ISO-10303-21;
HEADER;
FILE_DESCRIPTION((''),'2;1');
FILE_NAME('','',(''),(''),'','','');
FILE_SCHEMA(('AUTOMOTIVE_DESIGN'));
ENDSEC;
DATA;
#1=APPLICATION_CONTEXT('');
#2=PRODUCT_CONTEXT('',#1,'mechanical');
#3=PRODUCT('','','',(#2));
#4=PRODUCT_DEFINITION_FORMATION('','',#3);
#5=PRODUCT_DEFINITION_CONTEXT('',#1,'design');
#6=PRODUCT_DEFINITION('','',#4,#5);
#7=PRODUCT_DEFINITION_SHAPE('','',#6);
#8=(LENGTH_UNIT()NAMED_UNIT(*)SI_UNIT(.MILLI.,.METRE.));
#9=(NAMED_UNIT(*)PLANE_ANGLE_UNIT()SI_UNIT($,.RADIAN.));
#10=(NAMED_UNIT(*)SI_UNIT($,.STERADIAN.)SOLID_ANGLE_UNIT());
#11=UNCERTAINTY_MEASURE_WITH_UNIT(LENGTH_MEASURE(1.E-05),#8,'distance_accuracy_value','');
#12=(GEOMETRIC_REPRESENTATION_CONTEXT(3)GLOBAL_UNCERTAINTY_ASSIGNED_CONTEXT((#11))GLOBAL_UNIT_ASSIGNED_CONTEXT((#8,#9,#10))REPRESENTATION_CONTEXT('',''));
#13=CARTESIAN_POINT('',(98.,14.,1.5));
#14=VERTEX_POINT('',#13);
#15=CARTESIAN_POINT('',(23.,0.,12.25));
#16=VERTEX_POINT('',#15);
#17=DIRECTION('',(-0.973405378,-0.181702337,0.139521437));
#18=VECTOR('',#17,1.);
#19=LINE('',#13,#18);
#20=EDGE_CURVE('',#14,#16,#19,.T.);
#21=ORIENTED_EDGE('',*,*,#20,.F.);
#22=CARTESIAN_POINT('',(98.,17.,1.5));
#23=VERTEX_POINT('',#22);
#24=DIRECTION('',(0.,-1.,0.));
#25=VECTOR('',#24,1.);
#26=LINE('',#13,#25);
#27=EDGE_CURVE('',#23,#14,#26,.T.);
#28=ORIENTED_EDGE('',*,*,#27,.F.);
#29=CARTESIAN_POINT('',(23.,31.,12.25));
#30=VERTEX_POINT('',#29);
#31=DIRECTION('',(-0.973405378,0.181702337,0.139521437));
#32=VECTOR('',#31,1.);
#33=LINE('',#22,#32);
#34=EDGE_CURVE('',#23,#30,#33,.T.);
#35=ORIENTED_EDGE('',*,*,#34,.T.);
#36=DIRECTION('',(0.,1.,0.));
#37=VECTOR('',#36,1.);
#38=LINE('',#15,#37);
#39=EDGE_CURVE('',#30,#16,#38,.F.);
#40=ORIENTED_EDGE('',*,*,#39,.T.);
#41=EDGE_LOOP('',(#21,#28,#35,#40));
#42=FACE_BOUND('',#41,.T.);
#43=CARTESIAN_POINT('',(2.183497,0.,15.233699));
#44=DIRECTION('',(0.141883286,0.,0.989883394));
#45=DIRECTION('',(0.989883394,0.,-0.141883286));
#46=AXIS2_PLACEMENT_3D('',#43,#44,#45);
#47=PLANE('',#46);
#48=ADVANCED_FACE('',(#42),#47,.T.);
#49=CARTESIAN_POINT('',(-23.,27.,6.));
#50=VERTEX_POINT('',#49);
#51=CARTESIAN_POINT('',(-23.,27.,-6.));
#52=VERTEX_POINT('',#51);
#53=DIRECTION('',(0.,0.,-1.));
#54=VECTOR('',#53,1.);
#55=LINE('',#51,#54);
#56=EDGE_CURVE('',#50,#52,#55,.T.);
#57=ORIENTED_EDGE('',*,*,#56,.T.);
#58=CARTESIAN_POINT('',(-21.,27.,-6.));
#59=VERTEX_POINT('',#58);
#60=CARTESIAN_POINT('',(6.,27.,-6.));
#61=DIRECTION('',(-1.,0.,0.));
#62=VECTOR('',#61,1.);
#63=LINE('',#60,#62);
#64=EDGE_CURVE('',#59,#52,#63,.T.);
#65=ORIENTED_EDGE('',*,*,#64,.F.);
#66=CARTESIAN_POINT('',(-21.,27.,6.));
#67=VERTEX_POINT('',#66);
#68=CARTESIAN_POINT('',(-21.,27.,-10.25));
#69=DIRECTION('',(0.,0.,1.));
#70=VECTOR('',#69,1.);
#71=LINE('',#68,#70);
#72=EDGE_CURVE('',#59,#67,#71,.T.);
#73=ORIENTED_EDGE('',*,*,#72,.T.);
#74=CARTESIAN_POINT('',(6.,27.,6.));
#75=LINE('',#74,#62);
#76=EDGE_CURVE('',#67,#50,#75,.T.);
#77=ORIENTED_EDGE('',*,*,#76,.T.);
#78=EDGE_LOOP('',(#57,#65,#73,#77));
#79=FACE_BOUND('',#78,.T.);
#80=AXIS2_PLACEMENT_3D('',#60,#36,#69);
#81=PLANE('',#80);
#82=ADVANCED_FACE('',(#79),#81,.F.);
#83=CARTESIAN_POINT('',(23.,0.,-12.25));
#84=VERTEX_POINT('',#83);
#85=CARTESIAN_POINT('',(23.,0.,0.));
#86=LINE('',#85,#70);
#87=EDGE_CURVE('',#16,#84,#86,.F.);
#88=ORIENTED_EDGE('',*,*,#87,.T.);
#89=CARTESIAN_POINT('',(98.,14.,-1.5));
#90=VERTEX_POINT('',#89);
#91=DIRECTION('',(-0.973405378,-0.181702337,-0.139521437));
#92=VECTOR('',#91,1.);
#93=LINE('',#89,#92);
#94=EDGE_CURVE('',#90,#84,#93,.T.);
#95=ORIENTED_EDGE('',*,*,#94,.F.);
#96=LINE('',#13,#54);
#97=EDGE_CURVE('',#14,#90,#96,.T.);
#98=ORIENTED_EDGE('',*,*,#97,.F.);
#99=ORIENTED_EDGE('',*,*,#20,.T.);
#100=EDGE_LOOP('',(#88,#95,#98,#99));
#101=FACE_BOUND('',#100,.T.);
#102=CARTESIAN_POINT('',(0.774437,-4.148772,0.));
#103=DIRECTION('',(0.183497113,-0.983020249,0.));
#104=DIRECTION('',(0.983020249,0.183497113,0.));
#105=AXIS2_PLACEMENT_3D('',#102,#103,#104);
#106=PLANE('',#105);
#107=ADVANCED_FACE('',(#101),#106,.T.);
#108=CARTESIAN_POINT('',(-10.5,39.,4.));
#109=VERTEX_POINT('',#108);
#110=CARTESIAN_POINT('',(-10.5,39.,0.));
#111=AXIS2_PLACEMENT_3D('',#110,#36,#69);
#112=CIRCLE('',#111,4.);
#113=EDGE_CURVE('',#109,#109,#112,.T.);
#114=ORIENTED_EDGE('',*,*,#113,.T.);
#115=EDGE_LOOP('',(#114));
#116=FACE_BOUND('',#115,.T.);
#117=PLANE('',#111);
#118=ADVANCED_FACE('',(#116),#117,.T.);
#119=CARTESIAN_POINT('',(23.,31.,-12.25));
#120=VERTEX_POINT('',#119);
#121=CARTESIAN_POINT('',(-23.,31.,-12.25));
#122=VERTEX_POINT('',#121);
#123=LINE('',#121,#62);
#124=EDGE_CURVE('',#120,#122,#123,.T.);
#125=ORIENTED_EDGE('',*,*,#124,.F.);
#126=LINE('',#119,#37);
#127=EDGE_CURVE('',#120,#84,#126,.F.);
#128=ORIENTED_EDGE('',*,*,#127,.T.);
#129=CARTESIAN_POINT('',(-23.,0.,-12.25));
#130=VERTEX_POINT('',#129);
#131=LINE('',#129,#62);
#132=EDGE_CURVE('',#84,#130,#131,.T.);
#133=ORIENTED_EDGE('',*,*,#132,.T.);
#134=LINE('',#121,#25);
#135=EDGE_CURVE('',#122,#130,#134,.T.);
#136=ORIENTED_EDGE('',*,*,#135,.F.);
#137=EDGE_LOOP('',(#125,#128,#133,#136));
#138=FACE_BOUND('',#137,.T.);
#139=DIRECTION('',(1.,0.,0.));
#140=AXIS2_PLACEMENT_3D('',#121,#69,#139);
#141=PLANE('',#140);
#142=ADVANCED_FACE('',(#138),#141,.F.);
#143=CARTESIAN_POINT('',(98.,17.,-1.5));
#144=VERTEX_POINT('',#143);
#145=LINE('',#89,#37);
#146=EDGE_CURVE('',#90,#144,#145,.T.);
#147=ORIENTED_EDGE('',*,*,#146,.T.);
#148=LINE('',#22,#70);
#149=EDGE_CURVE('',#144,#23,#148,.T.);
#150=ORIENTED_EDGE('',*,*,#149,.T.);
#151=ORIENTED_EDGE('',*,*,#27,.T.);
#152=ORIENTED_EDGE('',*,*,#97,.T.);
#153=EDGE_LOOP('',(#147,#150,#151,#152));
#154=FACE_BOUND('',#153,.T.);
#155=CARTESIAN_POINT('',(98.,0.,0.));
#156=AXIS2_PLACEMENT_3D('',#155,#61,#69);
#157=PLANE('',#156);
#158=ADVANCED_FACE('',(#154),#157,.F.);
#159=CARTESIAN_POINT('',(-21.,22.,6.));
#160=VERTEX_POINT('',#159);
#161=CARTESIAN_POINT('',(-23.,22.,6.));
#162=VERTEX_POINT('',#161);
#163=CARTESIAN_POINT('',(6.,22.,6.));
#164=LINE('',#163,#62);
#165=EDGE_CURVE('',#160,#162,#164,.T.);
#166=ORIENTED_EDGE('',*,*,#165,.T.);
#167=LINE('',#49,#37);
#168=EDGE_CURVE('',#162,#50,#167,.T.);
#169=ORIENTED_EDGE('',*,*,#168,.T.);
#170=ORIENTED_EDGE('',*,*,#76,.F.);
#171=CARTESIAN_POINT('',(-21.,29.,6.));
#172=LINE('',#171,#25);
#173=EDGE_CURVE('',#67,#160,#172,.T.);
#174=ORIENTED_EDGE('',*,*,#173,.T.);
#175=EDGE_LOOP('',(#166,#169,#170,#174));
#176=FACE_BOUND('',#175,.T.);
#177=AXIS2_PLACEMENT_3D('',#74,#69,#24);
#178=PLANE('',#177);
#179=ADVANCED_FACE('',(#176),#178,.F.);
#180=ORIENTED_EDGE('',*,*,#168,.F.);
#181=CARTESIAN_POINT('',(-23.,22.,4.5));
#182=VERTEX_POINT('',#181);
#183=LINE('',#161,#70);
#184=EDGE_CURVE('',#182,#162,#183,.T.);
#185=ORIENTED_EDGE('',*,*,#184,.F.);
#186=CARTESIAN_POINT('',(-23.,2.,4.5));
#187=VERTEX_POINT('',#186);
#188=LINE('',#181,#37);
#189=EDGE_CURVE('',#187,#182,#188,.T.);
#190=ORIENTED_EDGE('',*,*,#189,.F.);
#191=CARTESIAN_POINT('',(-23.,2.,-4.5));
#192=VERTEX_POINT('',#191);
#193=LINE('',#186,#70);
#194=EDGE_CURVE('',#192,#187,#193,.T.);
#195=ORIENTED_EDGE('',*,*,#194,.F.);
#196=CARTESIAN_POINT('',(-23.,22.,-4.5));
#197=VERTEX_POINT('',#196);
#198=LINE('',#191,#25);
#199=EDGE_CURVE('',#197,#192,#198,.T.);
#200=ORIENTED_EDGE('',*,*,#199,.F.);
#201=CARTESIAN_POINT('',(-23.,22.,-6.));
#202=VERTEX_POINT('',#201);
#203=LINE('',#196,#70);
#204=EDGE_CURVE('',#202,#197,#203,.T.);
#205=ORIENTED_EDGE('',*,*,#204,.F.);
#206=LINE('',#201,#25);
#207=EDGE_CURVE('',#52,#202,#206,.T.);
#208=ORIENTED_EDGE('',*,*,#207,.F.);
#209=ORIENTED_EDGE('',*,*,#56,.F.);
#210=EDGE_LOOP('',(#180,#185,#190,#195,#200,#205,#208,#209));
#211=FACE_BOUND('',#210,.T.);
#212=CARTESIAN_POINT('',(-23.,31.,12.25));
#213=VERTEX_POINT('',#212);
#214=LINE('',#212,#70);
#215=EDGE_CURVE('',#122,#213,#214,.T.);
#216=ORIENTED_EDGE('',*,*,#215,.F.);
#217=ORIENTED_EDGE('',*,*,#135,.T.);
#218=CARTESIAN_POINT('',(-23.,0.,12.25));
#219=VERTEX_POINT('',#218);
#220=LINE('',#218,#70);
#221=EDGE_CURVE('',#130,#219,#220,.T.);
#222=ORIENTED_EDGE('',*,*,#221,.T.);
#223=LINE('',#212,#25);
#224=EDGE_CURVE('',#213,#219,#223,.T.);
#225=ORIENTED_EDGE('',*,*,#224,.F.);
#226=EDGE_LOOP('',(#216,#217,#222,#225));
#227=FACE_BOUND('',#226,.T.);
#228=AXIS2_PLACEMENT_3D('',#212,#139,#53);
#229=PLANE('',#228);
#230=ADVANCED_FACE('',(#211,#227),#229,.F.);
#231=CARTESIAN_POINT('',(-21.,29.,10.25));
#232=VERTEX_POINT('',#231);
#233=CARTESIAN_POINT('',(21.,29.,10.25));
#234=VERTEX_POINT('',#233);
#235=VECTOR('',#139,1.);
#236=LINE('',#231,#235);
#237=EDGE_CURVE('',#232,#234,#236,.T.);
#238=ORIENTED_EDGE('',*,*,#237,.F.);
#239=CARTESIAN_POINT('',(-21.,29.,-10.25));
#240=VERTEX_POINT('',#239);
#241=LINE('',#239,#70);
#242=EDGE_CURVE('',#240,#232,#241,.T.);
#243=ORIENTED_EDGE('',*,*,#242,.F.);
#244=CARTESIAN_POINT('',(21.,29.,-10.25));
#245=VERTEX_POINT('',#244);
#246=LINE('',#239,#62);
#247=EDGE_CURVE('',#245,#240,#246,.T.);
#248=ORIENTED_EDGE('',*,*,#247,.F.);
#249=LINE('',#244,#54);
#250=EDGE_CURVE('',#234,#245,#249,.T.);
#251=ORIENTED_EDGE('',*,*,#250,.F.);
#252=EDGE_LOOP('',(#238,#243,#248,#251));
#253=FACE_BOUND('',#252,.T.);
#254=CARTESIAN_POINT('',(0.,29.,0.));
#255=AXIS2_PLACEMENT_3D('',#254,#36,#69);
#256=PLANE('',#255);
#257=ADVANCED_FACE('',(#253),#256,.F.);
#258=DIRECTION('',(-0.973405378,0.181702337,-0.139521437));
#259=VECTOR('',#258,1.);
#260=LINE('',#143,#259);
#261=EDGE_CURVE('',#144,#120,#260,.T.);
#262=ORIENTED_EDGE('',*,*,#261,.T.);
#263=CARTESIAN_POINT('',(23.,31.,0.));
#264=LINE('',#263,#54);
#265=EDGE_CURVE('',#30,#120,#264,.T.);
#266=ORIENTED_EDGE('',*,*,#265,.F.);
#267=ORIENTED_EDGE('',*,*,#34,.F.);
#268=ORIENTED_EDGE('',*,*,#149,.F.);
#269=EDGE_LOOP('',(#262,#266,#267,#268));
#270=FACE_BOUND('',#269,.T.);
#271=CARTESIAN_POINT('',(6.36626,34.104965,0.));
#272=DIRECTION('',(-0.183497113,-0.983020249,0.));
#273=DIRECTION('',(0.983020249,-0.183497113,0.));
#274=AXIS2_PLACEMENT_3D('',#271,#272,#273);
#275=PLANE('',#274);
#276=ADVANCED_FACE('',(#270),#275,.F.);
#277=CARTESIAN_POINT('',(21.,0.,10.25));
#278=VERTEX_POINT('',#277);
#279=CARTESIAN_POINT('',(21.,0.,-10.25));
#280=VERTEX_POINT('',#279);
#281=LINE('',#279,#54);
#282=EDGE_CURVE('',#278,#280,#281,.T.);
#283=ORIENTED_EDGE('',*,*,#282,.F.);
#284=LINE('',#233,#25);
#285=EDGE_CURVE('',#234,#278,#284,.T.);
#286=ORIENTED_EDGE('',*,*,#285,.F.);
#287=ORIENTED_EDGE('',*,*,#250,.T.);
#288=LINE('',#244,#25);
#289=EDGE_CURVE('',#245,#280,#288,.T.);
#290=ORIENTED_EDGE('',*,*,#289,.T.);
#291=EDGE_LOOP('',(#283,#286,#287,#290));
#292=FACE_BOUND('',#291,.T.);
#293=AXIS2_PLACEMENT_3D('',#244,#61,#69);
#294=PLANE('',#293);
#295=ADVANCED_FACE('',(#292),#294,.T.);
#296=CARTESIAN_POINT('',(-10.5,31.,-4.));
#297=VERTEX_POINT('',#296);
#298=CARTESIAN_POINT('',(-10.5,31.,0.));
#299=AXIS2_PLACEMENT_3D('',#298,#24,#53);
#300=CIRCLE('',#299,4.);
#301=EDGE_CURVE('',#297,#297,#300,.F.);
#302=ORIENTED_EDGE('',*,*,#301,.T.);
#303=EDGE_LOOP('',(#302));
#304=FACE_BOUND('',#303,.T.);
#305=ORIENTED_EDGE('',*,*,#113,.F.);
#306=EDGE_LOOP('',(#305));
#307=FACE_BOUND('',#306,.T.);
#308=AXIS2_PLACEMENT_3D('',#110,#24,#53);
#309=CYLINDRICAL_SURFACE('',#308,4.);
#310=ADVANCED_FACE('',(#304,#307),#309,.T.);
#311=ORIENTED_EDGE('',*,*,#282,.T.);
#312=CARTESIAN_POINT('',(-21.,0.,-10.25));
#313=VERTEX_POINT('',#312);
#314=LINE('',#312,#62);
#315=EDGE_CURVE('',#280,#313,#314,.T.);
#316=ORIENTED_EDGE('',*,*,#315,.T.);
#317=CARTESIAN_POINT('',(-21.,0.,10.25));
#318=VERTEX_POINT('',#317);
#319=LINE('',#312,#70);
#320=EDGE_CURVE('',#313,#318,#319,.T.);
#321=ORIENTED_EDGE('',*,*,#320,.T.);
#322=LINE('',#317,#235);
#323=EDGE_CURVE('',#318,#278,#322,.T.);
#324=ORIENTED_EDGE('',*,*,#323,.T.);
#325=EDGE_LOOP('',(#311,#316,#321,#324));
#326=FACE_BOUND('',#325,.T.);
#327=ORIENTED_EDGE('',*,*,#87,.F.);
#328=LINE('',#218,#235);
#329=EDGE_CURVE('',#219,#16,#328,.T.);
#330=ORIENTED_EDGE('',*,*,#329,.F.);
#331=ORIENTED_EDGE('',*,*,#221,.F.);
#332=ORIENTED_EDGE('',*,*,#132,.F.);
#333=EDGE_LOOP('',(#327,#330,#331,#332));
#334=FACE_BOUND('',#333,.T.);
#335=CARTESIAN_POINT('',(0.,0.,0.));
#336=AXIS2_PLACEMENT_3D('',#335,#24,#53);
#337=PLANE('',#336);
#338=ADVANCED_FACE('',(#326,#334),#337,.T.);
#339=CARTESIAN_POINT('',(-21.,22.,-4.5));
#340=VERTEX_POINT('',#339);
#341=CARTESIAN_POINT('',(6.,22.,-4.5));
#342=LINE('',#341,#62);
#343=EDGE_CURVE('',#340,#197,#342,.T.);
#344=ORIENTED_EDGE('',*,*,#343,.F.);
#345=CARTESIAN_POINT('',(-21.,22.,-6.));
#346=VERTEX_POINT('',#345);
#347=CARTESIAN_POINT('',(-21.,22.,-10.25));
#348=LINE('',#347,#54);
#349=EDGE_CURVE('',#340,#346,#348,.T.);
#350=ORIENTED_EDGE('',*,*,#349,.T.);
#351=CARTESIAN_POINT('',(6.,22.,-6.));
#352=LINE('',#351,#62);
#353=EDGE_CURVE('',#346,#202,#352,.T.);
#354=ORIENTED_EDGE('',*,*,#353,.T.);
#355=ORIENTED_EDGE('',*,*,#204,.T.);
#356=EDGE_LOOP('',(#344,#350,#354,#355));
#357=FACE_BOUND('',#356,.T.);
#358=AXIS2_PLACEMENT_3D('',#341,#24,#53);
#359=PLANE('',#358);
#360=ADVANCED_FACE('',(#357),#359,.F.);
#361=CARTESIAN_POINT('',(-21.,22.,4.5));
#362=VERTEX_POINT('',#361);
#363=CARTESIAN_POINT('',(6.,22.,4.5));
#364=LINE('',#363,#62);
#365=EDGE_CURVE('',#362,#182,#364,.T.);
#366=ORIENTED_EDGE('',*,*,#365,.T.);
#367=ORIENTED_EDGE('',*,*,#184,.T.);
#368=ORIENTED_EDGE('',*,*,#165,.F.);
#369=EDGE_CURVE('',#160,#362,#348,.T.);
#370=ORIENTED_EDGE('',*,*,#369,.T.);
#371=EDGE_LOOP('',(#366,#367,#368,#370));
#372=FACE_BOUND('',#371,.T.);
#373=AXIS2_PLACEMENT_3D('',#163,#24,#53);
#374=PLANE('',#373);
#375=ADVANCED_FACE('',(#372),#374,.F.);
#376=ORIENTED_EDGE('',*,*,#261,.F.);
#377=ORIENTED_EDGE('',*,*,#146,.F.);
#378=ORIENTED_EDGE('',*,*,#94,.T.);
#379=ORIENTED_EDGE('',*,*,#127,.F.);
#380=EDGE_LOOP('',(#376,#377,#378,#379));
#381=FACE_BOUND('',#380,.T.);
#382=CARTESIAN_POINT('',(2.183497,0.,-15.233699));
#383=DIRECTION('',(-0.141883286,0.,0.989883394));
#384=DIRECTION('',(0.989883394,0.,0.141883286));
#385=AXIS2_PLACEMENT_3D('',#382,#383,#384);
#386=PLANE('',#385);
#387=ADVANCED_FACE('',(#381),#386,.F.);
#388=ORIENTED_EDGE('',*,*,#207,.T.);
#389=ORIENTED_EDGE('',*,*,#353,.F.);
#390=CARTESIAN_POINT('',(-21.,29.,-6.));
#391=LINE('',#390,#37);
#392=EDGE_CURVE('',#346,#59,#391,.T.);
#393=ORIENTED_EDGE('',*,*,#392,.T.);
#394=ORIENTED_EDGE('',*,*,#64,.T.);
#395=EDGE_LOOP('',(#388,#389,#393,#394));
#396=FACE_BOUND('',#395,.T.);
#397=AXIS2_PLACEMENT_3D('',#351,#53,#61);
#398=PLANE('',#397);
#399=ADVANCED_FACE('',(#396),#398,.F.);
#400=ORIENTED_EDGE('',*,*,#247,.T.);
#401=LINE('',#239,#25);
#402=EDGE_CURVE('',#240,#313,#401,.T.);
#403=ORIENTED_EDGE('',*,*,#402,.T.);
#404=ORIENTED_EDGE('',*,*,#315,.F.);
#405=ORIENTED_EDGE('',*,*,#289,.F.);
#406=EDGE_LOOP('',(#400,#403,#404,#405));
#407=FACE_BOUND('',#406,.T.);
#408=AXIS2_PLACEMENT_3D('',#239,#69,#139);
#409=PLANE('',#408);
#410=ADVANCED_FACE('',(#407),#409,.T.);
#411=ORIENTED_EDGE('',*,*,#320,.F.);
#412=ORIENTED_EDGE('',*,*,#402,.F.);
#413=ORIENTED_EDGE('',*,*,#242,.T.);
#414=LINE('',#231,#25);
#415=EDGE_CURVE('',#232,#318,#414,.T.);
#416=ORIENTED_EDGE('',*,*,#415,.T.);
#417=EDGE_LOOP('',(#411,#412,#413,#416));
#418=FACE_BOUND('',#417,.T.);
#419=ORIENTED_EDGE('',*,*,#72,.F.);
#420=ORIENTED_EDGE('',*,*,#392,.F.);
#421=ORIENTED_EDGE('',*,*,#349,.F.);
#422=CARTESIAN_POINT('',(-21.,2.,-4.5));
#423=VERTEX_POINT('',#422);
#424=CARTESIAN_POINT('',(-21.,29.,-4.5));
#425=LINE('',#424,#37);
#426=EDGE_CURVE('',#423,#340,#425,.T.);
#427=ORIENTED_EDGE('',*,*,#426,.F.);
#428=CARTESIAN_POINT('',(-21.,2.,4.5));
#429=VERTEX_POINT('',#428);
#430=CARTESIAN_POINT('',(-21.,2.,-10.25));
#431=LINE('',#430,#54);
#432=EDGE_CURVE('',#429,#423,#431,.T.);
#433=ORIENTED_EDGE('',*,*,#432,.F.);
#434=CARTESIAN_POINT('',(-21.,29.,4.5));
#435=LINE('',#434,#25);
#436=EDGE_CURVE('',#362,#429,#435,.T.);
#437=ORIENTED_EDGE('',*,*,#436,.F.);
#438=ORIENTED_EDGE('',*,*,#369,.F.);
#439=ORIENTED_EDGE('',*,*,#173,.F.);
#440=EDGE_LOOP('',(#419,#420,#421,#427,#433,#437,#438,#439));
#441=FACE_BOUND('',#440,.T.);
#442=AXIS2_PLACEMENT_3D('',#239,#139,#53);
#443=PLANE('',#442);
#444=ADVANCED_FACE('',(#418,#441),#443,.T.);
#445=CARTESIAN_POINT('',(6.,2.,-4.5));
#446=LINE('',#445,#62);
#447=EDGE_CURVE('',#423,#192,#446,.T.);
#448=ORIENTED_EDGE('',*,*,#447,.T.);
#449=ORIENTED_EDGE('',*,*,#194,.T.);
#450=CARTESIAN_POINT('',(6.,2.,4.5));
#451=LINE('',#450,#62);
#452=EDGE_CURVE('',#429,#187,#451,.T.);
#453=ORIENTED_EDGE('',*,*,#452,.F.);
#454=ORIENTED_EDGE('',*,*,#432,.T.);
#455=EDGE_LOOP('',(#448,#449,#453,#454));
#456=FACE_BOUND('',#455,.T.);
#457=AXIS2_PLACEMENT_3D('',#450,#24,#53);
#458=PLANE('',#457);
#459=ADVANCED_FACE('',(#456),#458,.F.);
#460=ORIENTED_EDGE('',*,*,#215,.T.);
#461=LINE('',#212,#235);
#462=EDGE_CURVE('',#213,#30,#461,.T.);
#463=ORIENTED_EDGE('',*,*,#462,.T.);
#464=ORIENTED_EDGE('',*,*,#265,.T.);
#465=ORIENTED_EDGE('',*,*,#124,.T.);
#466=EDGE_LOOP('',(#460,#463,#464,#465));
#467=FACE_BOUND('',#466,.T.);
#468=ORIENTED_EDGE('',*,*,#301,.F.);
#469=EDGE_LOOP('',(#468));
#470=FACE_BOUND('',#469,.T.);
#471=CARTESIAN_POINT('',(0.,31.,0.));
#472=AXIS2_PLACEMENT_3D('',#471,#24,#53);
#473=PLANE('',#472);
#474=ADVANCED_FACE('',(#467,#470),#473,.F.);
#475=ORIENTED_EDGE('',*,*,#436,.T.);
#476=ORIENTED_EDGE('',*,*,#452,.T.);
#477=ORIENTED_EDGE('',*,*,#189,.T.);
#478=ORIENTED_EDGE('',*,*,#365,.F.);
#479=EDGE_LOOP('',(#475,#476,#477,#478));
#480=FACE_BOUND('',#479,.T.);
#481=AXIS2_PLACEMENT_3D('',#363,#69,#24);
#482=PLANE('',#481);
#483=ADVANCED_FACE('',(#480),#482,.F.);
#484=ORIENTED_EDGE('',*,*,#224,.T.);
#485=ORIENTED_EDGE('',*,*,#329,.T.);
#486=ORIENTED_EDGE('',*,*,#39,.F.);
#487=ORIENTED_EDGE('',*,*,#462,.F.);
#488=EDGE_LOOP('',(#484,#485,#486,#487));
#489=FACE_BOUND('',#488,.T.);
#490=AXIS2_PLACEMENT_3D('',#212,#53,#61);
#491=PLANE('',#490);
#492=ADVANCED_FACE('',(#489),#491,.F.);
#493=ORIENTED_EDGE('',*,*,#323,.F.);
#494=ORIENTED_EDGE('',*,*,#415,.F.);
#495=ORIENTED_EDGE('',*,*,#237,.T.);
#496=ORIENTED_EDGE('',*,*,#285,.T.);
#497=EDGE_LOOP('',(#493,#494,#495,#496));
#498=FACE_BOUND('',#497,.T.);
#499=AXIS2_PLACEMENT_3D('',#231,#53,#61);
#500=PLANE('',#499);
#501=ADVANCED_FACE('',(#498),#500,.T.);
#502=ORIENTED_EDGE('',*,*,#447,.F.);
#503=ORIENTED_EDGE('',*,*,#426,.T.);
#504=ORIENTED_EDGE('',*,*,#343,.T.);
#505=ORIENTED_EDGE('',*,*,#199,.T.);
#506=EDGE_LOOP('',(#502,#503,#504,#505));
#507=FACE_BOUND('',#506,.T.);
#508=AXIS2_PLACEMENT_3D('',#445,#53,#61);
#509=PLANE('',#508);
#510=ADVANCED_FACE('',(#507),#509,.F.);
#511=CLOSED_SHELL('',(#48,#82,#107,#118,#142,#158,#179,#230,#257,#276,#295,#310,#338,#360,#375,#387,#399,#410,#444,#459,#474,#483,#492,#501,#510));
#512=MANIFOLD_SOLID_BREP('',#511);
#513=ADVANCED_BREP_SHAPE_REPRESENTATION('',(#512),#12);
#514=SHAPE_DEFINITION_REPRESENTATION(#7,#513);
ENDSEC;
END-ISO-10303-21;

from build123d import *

# Parameters (mm, degrees)
SKETCH1_W           = 46
SKETCH1_H           = 24.5
BODY_DEPTH          = 31
SKETCH3_W           = 42
SKETCH3_H           = 20.5
SERVO_HOLE_DEPTH    = 29
CUT_EXTRUDE3_DEPTH  = 29
SKETCH6_R           = 4
BOSS_EXTRUDE3_DEPTH = 8


with BuildPart() as part:
    # Sketch1 → Body (new body)
    with BuildSketch(Plane(origin=(0, 0, 0), x_dir=(1, 0, 0), z_dir=(0, 1, 0))):
        Rectangle(SKETCH1_W, SKETCH1_H)
    extrude(amount=BODY_DEPTH)

    # Sketch3 → Servo Hole (cut)
    with BuildSketch(Plane(origin=(0, 0, 0), x_dir=(1, 0, 0), z_dir=(0, 1, 0))):
        Rectangle(SKETCH3_W, SKETCH3_H)
    extrude(amount=SERVO_HOLE_DEPTH, mode=Mode.SUBTRACT)

    # Point → section 0 of loft1
    with BuildSketch(Plane(origin=(98, 0, 0), x_dir=(0, 0, -1), z_dir=(1, 0, 0)), mode=Mode.PRIVATE) as loft1_s0:
        with BuildLine():
            Line((-1.5, 14), (1.5, 14))
            Line((1.5, 14), (1.5, 17))
            Line((1.5, 17), (-1.5, 17))
            Line((-1.5, 17), (-1.5, 14))
        make_face()
    # loft up to a face of the part (loft1)
    loft([loft1_s0.sketch, part.faces().sort_by_distance((23, 15.5, 0))[0]])

    # Sketch5 → Cut-Extrude3 (cut)
    with BuildSketch(Plane.ZY.offset(23)):
        Polygon((-6, 27), (6, 27), (6, 22), (4.5, 22), (4.5, 2), (-4.5, 2), (-4.5, 22), (-6, 22), align=None)
    extrude(amount=-CUT_EXTRUDE3_DEPTH, mode=Mode.SUBTRACT)

    # Sketch6 → Boss-Extrude3 (add)
    with BuildSketch(Plane(origin=(0, 31, 0), x_dir=(1, 0, 0), z_dir=(0, 1, 0))):
        with Locations(Location((-10.5, 0, 0), (0, 0, 90))):
            Circle(SKETCH6_R)
    extrude(amount=BOSS_EXTRUDE3_DEPTH)


solid = part.part
